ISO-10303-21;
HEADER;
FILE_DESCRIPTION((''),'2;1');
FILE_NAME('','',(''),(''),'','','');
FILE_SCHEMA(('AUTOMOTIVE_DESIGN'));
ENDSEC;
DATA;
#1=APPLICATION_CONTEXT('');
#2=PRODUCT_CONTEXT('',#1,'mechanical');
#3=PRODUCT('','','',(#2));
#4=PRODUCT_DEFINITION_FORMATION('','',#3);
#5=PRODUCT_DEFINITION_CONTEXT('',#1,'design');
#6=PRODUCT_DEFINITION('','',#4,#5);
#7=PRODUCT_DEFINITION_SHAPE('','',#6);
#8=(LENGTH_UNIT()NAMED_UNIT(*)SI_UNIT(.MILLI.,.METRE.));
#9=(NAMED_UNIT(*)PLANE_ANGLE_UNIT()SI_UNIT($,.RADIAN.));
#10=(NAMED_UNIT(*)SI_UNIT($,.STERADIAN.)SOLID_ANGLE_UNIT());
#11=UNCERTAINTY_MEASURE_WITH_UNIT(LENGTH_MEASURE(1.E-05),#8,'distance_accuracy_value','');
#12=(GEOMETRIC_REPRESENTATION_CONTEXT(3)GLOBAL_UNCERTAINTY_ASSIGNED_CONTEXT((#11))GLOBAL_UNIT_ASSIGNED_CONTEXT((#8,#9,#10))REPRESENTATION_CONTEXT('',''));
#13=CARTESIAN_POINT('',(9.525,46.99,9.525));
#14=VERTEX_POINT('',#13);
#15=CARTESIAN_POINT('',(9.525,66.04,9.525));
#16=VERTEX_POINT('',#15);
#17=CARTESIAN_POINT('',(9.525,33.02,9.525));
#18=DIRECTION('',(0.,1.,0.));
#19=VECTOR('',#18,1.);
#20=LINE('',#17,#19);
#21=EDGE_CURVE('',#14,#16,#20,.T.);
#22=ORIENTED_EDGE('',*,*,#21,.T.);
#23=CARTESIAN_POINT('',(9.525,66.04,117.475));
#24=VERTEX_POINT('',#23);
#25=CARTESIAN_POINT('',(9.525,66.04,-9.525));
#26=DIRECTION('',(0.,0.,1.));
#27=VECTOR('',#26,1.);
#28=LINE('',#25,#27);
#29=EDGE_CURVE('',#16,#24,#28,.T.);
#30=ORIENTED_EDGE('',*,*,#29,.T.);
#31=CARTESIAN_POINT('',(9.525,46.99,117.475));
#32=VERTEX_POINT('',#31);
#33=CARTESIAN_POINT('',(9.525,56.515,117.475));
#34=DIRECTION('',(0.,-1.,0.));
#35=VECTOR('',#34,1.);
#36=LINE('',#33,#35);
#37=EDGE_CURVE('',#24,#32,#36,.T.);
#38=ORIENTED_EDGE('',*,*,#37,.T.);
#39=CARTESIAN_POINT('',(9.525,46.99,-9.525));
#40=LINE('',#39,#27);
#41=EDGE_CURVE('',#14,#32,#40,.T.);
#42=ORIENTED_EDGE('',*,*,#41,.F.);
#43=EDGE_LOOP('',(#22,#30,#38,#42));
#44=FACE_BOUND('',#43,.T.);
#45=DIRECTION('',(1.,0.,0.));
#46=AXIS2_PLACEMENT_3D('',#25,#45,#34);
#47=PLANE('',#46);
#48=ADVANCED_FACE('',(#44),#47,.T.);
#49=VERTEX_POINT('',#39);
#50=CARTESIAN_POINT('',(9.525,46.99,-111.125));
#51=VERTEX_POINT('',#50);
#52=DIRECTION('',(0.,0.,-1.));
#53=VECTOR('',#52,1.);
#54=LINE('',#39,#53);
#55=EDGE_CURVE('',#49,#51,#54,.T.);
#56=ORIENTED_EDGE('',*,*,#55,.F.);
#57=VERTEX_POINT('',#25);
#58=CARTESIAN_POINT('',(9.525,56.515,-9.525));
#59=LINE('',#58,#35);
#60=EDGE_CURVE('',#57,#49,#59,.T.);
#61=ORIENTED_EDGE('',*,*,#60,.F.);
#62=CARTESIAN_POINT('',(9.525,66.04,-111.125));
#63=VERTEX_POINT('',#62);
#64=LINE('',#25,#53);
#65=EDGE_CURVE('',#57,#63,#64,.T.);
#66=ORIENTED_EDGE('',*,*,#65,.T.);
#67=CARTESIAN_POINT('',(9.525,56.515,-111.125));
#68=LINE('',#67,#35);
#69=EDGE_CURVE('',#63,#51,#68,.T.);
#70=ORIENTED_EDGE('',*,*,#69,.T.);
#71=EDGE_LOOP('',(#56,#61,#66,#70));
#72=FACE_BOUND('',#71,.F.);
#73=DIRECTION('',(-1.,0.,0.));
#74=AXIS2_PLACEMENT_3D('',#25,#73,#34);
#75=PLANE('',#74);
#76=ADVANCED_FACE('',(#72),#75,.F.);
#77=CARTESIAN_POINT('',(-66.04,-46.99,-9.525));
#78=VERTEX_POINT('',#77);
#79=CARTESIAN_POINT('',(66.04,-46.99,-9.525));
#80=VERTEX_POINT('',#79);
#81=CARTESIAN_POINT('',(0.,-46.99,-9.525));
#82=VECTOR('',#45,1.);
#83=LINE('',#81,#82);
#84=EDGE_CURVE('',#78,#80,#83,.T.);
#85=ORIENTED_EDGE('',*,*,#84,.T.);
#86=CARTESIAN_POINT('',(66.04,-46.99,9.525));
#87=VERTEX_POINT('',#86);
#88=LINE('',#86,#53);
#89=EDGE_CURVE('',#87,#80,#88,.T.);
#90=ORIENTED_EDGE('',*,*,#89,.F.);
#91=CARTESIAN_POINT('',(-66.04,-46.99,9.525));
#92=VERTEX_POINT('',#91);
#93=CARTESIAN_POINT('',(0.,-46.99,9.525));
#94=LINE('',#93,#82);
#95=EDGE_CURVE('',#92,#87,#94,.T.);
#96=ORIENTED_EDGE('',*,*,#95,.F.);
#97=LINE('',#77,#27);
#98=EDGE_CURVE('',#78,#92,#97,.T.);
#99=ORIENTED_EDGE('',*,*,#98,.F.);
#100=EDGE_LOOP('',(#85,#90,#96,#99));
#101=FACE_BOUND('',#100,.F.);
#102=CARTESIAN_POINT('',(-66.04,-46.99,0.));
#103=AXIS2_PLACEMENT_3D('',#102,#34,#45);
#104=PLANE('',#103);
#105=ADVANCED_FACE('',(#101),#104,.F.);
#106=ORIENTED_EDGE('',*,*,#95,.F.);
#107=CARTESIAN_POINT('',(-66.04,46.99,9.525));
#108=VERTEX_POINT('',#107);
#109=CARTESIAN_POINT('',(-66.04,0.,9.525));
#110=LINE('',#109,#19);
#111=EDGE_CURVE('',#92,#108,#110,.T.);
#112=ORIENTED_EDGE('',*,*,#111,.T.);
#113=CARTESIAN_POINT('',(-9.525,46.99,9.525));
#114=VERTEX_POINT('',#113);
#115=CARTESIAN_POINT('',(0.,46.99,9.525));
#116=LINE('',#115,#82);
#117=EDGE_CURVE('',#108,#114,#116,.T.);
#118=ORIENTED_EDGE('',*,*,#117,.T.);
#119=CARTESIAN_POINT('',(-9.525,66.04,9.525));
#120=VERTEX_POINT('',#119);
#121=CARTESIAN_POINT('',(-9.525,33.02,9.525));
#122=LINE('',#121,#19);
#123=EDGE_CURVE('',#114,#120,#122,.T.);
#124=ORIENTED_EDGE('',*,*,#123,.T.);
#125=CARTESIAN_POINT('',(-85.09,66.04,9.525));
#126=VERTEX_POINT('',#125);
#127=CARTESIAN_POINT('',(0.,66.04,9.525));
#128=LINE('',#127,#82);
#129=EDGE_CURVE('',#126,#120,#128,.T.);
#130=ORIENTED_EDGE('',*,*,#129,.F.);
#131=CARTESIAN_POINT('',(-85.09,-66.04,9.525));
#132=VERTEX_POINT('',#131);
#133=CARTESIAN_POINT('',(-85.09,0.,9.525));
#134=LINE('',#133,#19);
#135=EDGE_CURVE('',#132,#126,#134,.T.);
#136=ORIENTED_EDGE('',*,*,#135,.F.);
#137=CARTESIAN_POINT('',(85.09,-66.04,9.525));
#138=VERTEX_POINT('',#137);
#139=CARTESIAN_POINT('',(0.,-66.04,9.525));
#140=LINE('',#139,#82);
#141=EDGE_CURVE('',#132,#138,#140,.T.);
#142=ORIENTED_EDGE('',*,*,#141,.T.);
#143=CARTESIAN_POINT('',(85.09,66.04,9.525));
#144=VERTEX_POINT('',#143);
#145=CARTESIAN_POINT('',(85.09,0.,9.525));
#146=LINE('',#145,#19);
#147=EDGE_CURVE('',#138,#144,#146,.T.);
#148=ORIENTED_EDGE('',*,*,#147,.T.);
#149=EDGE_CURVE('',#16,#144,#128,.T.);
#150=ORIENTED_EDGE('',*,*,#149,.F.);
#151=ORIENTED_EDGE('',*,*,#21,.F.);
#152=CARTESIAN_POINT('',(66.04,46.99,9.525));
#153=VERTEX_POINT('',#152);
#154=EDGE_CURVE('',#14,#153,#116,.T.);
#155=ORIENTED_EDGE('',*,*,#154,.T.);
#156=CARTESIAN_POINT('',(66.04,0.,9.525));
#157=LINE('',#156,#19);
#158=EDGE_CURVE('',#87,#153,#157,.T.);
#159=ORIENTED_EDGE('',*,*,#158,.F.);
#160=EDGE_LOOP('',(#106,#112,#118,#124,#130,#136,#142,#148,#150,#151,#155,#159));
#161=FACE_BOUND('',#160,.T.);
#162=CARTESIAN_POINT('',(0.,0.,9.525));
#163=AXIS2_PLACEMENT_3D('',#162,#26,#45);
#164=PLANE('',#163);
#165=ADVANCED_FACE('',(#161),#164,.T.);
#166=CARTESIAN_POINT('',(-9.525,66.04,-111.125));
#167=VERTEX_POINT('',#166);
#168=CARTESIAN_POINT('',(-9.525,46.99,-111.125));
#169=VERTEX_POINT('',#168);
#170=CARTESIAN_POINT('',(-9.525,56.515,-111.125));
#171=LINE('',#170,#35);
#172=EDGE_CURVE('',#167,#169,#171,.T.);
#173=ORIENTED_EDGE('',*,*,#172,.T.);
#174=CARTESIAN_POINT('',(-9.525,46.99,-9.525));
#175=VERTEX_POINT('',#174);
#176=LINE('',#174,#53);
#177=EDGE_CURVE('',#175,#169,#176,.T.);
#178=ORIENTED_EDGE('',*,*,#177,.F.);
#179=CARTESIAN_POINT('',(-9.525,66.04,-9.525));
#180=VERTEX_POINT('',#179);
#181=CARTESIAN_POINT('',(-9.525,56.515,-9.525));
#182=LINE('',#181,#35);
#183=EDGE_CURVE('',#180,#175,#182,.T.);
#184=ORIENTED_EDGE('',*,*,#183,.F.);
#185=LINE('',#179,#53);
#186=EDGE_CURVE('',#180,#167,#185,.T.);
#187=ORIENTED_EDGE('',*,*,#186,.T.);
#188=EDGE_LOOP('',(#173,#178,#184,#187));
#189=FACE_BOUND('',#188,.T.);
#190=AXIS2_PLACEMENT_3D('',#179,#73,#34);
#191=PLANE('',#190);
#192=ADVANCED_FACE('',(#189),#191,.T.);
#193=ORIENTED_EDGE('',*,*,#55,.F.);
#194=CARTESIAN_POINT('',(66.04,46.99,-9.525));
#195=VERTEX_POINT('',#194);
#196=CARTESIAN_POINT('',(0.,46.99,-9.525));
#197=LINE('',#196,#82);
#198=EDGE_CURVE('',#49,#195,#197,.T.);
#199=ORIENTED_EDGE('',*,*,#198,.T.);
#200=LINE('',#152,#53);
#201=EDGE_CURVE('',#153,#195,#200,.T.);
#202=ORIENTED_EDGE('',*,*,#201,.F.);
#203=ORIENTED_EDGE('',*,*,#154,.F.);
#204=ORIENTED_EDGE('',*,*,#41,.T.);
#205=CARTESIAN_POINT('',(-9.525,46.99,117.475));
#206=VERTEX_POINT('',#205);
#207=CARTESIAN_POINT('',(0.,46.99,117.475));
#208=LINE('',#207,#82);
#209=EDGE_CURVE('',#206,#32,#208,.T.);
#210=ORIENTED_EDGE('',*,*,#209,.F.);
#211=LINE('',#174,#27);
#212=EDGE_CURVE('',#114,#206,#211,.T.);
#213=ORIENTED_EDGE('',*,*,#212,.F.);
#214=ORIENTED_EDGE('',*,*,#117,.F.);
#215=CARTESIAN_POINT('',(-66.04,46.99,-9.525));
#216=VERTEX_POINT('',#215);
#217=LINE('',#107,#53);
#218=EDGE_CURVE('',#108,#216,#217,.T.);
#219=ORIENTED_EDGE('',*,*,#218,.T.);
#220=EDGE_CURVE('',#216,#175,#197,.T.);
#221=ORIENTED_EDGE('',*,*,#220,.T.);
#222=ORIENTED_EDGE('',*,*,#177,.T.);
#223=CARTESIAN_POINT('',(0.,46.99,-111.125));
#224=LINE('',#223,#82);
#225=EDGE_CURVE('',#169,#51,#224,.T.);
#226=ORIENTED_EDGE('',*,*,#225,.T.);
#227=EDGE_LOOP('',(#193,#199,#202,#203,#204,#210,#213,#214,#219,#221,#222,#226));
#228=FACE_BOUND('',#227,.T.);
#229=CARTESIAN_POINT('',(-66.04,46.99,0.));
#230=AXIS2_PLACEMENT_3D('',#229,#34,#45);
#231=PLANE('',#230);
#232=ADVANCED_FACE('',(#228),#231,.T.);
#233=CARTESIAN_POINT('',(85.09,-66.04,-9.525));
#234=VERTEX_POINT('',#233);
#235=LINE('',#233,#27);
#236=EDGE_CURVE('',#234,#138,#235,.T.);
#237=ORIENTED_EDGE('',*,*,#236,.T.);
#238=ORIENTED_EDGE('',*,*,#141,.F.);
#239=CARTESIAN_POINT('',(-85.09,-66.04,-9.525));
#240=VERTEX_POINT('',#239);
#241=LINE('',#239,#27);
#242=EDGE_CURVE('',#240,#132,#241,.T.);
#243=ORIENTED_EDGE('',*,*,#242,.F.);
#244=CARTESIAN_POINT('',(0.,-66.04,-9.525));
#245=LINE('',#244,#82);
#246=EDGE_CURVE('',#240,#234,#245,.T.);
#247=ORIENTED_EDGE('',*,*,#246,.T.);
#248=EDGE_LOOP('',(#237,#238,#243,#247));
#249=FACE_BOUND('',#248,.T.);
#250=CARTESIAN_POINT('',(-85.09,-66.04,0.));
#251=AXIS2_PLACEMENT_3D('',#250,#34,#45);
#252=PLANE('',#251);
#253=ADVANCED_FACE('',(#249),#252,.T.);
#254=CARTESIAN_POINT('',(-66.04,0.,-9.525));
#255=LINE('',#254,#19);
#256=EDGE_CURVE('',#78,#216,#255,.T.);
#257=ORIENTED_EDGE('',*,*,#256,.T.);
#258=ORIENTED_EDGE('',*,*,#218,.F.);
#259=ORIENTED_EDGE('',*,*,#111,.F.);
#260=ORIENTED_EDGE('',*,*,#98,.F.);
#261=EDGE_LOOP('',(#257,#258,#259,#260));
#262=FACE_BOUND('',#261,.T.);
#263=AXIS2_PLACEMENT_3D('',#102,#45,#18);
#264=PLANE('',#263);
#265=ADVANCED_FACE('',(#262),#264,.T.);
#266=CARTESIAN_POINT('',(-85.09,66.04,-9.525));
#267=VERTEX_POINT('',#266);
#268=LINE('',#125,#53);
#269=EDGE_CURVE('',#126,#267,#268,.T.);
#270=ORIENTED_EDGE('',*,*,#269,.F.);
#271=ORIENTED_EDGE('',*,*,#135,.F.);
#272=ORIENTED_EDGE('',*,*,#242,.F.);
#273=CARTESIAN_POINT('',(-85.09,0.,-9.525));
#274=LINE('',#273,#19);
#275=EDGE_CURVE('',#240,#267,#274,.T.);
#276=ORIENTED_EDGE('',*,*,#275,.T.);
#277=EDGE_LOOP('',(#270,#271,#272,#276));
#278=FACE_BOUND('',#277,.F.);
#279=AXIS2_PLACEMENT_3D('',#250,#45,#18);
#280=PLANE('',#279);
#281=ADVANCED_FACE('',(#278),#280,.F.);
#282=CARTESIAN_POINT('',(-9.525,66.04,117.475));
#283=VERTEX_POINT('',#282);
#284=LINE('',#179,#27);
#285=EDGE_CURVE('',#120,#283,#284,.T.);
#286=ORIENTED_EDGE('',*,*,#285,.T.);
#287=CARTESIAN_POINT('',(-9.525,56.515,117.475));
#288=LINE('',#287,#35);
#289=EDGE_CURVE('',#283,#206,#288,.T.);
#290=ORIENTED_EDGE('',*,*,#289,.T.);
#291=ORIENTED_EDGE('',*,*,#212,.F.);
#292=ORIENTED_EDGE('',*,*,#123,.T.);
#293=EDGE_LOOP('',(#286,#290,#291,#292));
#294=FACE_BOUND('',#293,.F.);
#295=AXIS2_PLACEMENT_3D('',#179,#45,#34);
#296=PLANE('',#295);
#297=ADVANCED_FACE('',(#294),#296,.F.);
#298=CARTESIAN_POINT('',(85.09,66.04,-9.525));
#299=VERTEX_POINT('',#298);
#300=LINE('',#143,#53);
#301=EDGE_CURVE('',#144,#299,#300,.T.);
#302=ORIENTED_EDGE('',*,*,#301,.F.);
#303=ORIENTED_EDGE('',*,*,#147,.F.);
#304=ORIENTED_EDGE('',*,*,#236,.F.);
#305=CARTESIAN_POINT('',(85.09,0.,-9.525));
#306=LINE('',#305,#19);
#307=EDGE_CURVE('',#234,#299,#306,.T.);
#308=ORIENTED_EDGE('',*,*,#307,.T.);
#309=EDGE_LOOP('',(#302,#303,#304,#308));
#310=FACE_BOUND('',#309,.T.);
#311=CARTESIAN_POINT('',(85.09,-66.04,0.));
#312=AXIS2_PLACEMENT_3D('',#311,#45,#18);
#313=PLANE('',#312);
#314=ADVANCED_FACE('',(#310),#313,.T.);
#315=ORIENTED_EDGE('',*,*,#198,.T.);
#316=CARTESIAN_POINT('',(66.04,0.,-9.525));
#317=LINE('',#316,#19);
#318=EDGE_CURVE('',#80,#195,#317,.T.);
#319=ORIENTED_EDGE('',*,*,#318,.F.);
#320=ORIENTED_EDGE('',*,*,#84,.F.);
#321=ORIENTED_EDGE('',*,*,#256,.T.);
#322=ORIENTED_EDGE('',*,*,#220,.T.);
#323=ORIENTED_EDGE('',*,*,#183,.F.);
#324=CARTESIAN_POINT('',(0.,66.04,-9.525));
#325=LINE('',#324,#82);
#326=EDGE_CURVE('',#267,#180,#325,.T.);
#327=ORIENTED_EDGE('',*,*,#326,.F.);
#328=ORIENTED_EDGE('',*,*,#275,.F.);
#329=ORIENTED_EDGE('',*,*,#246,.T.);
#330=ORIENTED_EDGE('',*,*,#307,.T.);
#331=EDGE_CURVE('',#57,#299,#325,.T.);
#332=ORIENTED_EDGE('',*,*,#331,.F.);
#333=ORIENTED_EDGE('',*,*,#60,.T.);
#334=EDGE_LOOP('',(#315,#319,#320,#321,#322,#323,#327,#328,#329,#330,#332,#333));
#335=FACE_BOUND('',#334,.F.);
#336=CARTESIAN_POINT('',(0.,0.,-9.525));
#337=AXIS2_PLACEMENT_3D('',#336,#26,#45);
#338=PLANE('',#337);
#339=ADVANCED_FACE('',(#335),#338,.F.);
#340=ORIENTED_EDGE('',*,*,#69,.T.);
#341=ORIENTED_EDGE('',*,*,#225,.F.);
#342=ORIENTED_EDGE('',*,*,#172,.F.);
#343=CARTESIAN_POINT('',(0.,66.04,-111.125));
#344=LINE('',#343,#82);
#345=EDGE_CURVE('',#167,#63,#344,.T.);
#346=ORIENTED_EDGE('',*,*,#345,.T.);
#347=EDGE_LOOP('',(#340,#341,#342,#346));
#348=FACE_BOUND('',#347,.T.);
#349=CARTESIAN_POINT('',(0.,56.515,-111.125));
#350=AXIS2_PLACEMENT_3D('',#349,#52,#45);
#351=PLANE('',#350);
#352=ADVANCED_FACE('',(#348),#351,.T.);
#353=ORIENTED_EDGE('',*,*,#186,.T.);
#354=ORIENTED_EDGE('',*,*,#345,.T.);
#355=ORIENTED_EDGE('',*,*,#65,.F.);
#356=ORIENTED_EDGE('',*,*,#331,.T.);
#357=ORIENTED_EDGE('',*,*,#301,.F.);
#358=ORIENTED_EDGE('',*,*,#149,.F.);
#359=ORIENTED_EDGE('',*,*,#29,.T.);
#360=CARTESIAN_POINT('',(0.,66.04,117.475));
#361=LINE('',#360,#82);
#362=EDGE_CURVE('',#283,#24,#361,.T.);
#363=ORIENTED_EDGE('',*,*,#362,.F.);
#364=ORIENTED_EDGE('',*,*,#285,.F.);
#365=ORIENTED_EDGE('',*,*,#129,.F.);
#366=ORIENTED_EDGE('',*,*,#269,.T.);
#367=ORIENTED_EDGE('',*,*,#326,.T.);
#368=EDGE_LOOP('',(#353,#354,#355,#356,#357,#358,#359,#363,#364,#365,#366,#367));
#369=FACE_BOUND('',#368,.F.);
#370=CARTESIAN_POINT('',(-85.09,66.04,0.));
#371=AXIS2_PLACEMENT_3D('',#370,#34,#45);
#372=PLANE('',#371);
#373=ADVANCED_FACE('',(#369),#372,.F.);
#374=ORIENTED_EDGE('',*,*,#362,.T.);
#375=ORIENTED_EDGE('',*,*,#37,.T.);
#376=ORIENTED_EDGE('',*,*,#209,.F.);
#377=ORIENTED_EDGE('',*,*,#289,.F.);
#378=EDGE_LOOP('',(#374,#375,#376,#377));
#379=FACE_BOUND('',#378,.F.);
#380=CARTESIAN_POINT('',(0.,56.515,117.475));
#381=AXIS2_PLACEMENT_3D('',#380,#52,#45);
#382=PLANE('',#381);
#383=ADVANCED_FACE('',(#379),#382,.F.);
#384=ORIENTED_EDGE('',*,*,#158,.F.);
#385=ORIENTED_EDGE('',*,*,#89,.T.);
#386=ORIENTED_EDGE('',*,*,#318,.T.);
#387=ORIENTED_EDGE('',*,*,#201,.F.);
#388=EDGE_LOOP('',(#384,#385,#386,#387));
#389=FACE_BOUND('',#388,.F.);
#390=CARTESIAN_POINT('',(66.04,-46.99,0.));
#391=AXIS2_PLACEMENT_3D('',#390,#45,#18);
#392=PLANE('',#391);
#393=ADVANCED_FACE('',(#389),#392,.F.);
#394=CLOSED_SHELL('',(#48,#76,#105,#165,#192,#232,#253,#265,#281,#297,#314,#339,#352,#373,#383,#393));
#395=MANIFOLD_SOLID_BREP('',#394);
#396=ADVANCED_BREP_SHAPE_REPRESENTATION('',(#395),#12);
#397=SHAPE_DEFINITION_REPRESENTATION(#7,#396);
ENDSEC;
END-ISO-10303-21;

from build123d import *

# Parameters (mm, degrees)
F0_W          = 170.18
F0_H          = 132.08
F0_W_2        = 132.08
F0_H_2        = 93.98
F1_DEPTH      = 9.525
F2_W          = 19.05
F2_H          = 19.05
F3_DEPTH      = 101.6
F3_DEPTH_BACK = 127


with BuildPart() as f1:
    # F0 (on Top) → F1 (new body, symmetric)
    with BuildSketch(Plane.XY):
        Rectangle(F0_W, F0_H)
        Rectangle(F0_W_2, F0_H_2, mode=Mode.SUBTRACT)
    extrude(amount=F1_DEPTH, both=True)

    # F2 (on face) → F3 (join, two sides)
    with BuildSketch(Plane(origin=(0, 0, -9.525), x_dir=(1, 0, 0), z_dir=(0, 0, -1))) as f3_sk:
        with Locations((0, -56.515)):
            Rectangle(F2_W, F2_H)
    extrude(amount=F3_DEPTH)
    extrude(f3_sk.sketch, amount=-F3_DEPTH_BACK)


solid = f1.part
